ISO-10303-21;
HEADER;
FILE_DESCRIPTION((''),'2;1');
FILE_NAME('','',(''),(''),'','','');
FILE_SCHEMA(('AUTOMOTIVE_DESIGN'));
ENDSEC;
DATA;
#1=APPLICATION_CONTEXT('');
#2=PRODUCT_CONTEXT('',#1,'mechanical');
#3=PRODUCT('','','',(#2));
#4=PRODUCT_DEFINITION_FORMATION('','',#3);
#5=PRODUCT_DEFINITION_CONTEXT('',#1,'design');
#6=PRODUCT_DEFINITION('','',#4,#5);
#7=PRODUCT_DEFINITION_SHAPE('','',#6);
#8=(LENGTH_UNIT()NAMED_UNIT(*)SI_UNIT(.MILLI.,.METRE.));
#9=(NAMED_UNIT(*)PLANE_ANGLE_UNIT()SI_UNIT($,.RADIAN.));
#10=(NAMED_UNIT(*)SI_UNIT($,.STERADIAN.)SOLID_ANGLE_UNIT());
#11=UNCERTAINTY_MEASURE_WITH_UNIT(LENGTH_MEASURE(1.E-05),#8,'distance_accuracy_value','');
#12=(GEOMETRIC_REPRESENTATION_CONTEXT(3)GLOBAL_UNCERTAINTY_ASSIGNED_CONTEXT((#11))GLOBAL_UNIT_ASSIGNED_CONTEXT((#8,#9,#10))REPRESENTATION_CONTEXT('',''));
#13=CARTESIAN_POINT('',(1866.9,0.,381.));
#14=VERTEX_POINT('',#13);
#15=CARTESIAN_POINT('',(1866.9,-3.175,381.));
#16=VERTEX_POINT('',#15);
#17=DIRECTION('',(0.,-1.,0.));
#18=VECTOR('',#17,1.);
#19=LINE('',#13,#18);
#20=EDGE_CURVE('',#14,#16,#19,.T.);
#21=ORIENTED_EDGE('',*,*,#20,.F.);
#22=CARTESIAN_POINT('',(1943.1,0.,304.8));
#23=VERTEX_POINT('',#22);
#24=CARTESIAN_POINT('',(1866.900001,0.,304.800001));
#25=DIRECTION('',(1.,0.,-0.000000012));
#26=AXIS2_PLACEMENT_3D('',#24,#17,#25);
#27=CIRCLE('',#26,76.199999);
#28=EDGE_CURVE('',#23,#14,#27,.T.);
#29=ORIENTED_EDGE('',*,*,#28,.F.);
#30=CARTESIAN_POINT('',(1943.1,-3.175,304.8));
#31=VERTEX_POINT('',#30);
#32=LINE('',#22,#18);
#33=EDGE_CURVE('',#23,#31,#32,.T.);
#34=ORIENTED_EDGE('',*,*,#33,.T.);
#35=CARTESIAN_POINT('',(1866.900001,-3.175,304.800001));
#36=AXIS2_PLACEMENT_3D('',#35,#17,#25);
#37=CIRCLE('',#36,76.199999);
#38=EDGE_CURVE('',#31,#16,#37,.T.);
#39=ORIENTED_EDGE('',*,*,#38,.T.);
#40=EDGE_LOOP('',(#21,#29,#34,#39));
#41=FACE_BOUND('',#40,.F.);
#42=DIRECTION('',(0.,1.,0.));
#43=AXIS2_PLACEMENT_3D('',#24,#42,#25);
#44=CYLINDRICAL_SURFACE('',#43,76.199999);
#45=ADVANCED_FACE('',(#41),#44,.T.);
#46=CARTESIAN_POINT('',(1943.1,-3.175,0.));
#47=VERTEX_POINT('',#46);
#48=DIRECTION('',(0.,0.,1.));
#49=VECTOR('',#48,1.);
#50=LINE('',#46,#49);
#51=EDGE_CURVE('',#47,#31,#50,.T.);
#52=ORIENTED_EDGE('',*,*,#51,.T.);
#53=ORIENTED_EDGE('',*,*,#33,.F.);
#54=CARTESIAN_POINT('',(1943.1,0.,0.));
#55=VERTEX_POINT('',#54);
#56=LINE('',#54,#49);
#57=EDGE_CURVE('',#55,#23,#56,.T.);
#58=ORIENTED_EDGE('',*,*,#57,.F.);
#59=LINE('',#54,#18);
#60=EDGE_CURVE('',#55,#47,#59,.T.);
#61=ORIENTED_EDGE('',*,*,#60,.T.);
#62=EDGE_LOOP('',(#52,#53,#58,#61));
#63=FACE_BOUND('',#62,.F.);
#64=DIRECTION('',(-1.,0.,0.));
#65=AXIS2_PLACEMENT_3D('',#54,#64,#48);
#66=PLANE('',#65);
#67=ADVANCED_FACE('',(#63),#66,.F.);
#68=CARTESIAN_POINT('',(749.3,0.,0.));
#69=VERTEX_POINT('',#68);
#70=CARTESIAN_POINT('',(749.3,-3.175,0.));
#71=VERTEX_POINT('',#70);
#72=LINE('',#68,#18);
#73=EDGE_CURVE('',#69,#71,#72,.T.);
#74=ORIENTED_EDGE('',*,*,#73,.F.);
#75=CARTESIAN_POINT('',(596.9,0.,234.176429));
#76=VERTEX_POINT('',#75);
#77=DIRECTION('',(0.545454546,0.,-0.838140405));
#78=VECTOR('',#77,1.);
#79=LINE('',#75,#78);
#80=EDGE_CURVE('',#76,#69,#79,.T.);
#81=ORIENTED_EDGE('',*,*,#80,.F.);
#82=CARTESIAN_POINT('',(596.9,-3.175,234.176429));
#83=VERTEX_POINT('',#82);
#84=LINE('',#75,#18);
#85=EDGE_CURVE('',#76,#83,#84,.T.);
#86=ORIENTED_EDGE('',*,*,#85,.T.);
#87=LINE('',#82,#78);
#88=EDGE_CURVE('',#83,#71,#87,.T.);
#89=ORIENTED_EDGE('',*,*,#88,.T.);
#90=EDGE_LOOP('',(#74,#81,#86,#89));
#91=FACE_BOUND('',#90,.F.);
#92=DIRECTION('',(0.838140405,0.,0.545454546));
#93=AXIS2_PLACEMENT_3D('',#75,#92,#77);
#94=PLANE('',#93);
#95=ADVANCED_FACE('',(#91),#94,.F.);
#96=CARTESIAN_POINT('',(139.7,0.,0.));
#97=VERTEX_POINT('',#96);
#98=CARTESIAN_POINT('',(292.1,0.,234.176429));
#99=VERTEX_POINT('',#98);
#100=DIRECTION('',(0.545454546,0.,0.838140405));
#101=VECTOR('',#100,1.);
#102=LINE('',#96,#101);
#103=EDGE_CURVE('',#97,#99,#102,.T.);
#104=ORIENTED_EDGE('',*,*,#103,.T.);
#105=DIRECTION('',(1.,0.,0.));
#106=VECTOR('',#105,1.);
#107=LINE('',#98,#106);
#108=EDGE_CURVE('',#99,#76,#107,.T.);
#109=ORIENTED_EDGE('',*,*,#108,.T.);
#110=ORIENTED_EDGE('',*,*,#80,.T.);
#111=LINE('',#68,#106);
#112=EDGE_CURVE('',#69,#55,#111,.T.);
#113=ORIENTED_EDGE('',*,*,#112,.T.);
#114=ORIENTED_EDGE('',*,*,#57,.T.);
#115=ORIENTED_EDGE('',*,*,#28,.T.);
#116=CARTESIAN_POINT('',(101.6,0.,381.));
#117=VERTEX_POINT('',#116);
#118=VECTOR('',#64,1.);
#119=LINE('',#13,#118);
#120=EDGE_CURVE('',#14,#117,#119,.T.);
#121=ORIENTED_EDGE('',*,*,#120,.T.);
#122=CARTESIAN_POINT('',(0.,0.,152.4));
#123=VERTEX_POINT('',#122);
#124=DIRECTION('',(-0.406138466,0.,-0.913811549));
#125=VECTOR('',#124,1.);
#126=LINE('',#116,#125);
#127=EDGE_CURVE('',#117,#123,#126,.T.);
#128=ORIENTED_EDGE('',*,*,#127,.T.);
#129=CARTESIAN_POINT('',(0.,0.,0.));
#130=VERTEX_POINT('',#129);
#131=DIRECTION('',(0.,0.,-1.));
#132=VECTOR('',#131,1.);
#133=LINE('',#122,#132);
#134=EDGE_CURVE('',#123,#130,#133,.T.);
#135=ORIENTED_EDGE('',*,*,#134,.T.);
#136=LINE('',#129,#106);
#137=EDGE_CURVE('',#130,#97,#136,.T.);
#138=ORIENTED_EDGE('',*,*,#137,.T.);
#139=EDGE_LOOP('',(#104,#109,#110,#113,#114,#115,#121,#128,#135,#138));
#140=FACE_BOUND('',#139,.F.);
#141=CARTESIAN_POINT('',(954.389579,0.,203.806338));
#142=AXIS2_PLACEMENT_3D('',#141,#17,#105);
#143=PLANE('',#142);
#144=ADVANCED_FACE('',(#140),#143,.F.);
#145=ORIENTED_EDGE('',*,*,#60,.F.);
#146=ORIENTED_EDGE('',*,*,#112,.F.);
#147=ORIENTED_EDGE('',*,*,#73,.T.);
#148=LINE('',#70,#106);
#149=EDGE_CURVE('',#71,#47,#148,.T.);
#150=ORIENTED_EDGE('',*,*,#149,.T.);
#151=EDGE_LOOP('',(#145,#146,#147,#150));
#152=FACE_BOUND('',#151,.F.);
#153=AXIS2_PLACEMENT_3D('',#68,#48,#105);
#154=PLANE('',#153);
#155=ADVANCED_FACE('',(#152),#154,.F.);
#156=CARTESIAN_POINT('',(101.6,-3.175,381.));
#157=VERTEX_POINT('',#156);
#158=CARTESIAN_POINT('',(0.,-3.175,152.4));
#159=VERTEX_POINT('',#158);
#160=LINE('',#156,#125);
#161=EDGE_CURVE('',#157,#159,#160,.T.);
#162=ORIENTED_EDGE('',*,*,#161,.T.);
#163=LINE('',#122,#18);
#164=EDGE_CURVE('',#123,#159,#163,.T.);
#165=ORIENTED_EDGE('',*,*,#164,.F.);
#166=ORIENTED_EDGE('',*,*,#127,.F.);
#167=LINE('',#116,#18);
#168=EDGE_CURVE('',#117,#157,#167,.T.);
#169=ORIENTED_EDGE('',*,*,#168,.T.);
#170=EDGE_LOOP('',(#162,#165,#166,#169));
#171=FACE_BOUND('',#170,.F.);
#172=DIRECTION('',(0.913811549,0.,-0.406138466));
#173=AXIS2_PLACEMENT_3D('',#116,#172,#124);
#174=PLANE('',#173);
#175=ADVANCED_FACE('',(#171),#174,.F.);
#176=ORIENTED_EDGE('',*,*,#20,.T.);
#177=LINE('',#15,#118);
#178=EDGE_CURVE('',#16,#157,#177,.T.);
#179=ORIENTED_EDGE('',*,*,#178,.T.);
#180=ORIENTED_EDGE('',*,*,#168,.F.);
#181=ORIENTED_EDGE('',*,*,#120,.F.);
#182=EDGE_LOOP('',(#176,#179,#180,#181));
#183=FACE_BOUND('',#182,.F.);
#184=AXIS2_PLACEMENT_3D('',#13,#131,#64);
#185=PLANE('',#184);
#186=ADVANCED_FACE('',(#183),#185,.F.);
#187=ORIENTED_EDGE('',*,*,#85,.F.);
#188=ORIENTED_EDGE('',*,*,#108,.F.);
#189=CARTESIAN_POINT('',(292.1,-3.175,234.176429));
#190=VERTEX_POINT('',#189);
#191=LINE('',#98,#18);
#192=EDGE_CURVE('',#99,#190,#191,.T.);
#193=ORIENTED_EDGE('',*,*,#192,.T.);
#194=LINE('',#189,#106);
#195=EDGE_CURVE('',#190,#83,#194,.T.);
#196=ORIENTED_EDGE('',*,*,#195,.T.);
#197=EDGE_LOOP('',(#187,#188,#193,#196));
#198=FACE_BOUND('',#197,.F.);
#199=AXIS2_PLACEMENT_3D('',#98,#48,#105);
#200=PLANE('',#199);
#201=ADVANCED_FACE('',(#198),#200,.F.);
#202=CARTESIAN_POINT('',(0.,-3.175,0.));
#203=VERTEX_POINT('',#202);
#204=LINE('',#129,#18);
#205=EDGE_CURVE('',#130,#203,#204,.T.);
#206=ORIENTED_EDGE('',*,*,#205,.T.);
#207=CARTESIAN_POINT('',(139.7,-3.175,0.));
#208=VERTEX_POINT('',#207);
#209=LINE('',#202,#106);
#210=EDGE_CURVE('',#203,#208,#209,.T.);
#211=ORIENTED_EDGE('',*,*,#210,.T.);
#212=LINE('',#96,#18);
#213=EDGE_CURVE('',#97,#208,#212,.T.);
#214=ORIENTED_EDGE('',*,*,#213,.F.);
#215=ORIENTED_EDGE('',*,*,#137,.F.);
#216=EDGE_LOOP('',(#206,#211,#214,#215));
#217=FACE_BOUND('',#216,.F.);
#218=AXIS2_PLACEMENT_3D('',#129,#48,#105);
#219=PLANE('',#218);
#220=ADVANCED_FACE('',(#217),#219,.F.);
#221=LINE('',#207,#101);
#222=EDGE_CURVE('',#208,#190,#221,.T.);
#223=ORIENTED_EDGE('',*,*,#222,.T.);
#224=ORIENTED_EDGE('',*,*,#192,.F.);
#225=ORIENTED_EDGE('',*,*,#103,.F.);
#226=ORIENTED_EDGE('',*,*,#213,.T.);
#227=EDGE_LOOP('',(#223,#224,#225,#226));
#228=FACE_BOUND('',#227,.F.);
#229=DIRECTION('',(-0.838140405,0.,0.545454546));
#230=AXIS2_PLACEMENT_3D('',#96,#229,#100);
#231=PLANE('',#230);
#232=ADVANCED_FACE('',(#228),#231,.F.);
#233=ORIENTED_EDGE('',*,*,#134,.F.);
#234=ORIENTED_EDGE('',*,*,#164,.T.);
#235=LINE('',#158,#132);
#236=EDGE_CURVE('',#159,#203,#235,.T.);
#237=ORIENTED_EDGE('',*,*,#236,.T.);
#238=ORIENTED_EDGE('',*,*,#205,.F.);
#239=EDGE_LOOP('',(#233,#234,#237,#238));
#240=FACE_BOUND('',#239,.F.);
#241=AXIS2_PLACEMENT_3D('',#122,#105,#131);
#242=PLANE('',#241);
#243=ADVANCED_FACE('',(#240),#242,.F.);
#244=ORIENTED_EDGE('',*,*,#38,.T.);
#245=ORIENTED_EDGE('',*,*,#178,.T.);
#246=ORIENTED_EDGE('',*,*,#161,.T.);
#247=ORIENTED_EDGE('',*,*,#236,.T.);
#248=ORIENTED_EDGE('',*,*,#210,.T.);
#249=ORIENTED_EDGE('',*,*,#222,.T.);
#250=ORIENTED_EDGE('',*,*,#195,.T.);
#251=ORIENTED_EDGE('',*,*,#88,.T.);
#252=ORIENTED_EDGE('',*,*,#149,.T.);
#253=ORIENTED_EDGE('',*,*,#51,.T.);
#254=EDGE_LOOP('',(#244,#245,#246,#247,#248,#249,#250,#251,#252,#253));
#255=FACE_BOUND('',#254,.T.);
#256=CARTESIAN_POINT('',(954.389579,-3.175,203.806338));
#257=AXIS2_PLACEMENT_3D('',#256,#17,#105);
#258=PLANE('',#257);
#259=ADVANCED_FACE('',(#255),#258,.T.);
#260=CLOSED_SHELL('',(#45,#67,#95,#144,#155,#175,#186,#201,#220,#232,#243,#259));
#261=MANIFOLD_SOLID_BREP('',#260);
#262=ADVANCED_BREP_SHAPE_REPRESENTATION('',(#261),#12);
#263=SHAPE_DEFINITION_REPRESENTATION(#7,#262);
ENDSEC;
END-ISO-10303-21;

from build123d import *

# Parameters (mm, degrees)
F1_DEPTH = 3.175


with BuildPart() as f1:
    # F0 (on Front) → F1 (new body)
    with BuildSketch(Plane.XZ):
        with BuildLine():
            Line((0, 152.4), (0, 0))
            Line((0, 0), (139.7, 0))
            Line((139.7, 0), (292.1, 234.176429))
            Line((292.1, 234.176429), (596.9, 234.176429))
            Line((596.9, 234.176429), (749.3, 0))
            Line((749.3, 0), (1943.1, 0))
            Line((1943.1, 0), (1943.1, 304.8))
            ThreePointArc((1943.1, 304.8), (1920.781537, 358.681537), (1866.9, 381))
            Line((1866.9, 381), (101.6, 381))
            Line((101.6, 381), (0, 152.4))
        make_face()
    extrude(amount=F1_DEPTH)


solid = f1.part
